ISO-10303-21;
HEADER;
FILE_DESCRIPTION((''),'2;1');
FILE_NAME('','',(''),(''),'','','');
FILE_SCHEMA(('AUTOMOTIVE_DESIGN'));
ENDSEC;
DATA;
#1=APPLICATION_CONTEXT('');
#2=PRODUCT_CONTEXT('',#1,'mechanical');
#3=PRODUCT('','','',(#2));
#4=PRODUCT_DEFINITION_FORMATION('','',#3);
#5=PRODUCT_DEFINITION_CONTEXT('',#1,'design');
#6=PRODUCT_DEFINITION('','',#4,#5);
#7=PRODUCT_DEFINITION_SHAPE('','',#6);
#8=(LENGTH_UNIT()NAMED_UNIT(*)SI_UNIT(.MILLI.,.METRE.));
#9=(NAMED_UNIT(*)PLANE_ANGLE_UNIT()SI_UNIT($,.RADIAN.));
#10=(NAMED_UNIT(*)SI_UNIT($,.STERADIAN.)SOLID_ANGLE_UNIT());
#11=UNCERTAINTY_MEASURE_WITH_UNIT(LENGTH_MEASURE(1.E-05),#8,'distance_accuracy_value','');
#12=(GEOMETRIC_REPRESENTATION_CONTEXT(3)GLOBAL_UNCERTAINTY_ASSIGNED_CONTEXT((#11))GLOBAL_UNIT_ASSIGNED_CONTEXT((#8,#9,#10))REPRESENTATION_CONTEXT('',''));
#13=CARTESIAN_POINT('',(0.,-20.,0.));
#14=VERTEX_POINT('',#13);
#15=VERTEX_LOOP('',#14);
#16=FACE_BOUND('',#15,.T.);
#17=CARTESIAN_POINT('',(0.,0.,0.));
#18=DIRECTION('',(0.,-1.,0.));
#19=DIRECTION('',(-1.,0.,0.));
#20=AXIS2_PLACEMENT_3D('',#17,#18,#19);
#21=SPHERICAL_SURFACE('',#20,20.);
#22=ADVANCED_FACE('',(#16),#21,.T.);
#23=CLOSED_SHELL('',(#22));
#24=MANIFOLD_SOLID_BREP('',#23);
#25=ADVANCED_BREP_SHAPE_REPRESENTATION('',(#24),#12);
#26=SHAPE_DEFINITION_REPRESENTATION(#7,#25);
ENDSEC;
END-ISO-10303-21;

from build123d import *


with BuildPart() as part:
    # Sketch1 → Revolve2 (revolve)
    with BuildSketch(Plane.XY):
        with BuildLine():
            Line((0, -20), (0, 20))
            ThreePointArc((0, 20), (-20, 0), (0, -20))
        make_face()
    revolve(axis=Axis((0, 37.446568032, 0), (0, -1, 0)))


solid = part.part
